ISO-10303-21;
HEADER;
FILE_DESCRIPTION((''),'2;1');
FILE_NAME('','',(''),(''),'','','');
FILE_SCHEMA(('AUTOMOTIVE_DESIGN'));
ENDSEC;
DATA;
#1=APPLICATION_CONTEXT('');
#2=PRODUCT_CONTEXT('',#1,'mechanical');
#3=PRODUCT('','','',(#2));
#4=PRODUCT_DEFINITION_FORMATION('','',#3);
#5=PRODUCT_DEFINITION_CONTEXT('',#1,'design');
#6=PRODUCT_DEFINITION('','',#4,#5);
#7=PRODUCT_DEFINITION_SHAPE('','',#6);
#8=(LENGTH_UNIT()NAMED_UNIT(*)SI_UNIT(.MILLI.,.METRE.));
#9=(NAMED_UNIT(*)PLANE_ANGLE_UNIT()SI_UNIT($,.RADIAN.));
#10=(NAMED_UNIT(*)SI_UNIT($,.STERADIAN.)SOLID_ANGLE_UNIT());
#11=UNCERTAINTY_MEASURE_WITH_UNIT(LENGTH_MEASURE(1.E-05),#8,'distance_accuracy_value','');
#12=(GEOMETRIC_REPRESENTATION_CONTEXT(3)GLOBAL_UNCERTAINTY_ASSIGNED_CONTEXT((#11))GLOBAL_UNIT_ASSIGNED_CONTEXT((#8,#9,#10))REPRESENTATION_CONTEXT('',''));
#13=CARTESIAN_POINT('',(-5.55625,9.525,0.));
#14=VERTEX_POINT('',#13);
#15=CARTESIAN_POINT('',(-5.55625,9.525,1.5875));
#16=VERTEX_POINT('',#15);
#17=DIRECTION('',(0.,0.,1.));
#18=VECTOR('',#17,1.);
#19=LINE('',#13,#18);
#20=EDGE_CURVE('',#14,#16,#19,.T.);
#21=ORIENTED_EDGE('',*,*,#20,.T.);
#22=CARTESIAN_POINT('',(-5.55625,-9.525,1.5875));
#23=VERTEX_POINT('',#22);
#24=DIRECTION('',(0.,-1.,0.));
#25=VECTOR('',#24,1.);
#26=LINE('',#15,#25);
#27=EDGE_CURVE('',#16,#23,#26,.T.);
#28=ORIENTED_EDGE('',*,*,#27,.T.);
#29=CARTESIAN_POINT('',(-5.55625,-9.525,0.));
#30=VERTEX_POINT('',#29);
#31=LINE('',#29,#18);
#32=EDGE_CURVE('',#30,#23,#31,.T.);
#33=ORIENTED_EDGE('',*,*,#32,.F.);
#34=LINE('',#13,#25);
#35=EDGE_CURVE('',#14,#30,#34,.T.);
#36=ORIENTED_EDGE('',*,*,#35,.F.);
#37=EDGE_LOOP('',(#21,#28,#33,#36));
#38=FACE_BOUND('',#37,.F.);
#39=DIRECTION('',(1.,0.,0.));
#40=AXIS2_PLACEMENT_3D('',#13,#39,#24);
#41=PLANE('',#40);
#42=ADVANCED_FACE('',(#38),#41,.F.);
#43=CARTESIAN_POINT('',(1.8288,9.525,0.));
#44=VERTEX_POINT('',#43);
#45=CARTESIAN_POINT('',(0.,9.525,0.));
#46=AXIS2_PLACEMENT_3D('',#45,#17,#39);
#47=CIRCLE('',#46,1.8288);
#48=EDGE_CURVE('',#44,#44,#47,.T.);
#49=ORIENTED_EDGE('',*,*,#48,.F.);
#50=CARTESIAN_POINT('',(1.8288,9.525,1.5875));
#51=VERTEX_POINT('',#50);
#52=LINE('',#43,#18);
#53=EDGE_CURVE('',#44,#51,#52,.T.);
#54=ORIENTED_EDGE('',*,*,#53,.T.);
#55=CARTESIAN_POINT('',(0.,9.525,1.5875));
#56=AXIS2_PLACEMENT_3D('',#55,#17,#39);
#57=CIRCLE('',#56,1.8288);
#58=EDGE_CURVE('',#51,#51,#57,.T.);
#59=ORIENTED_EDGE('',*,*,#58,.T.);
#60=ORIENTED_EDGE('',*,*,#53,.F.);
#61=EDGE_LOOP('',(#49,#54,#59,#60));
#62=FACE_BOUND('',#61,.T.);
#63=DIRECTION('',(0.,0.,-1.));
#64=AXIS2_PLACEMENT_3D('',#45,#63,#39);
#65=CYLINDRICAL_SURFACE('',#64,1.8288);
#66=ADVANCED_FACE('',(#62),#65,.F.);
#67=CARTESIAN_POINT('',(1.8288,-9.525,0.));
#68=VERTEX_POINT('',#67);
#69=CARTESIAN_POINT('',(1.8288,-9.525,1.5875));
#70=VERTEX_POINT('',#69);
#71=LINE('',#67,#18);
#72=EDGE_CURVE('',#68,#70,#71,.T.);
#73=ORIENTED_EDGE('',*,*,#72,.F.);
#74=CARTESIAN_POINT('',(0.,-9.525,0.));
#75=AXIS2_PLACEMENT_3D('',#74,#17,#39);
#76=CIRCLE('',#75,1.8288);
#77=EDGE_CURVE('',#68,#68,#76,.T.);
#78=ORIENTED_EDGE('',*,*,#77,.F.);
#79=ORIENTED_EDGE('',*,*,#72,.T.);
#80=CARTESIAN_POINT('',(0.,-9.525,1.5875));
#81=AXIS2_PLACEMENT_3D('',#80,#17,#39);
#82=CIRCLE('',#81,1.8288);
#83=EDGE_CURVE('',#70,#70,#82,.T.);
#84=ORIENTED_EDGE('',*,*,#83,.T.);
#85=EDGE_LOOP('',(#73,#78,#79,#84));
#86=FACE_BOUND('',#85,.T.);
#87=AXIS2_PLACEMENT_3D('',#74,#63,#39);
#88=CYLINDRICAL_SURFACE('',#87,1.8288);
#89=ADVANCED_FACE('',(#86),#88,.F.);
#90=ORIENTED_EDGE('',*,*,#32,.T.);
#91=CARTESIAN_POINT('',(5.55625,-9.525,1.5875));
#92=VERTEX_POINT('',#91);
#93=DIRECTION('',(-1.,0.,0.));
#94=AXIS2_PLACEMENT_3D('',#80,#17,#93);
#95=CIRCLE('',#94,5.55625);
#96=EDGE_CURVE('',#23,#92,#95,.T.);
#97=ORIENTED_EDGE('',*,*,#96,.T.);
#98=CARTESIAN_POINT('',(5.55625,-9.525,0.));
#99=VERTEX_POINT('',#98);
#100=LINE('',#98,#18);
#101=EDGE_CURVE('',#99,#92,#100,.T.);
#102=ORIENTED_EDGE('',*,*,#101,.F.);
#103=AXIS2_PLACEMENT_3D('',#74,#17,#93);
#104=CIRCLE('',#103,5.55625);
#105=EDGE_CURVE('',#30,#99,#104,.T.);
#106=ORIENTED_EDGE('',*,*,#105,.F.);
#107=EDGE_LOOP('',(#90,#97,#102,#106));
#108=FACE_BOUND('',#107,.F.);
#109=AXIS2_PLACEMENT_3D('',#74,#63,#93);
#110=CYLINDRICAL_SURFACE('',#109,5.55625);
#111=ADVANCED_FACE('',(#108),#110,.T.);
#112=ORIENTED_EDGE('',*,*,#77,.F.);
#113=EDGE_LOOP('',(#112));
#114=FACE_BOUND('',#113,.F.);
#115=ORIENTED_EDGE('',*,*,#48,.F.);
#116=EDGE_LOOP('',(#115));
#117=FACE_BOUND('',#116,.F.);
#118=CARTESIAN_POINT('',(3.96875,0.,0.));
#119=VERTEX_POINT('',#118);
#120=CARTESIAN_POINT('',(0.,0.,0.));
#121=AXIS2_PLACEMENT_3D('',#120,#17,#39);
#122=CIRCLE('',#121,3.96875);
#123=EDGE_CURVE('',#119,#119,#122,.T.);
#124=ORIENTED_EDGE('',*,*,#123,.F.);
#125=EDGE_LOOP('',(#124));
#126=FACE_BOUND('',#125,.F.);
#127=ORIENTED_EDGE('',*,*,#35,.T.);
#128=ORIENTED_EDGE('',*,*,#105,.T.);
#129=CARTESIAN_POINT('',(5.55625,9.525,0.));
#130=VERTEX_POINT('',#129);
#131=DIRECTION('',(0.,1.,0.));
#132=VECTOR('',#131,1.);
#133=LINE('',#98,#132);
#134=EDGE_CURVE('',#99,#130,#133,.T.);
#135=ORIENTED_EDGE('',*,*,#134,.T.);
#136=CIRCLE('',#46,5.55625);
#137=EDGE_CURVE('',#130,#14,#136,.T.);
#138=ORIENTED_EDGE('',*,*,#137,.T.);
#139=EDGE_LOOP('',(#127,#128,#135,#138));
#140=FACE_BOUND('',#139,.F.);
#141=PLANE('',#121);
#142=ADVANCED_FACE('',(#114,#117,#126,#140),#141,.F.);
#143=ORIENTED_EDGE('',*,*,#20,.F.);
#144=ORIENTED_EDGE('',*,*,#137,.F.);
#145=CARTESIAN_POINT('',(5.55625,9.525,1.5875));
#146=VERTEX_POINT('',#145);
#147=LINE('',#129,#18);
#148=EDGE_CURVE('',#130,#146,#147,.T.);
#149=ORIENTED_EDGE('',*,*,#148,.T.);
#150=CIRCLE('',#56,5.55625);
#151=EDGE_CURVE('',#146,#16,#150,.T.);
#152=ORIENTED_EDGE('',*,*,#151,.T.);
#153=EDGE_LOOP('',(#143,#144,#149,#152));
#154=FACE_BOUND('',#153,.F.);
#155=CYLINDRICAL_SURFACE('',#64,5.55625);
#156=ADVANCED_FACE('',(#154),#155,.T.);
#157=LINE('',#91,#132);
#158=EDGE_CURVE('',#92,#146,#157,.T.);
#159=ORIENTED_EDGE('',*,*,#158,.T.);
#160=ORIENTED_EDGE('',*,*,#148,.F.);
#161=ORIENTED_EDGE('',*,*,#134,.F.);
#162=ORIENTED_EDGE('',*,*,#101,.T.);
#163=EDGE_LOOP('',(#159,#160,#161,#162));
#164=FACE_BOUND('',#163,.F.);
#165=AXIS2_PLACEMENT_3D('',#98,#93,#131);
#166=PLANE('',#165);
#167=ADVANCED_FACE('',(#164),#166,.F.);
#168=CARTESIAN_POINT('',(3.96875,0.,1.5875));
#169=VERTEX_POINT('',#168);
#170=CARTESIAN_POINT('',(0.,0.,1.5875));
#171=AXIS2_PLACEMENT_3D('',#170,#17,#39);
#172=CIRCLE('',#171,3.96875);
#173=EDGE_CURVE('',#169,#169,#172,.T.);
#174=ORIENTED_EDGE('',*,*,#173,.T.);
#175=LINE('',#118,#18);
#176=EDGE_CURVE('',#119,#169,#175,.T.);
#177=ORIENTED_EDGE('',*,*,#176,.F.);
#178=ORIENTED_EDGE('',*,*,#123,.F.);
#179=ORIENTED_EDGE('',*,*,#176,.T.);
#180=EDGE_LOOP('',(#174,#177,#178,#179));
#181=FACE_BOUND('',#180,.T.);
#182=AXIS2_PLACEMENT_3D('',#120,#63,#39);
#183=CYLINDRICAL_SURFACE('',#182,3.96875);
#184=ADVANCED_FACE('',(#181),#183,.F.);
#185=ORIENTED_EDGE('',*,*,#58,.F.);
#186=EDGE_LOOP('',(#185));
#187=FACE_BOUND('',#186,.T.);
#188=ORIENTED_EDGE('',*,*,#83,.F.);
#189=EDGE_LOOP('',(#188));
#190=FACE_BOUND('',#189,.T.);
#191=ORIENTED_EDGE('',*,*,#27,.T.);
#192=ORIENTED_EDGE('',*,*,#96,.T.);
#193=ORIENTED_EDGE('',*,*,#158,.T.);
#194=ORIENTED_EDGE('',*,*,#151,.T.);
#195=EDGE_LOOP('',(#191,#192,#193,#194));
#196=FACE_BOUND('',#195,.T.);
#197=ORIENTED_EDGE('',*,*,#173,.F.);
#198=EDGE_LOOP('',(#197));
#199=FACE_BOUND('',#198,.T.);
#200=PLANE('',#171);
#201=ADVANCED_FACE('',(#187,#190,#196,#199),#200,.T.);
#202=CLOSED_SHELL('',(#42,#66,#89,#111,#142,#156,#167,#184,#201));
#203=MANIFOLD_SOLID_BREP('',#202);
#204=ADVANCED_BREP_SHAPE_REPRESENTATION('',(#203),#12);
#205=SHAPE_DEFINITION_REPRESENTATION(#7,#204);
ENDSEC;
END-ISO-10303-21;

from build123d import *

# Parameters (mm, degrees)
F0_R     = 1.8288
F0_R_2   = 3.96875
F1_DEPTH = 1.5875


with BuildPart() as f1:
    # F0 (on Top) → F1 (new body)
    with BuildSketch(Plane.XY):
        with BuildLine():
            Line((5.55625, -9.525), (5.55625, 9.525))
            ThreePointArc((5.55625, 9.525), (0, 15.08125), (-5.55625, 9.525))
            Line((-5.55625, 9.525), (-5.55625, -9.525))
            ThreePointArc((-5.55625, -9.525), (0, -15.08125), (5.55625, -9.525))
        make_face()
        with Locations((0, -9.525)):
            Circle(F0_R, mode=Mode.SUBTRACT)
        Circle(F0_R_2, mode=Mode.SUBTRACT)
        with Locations((0, 9.525)):
            Circle(F0_R, mode=Mode.SUBTRACT)
    extrude(amount=F1_DEPTH)


solid = f1.part
